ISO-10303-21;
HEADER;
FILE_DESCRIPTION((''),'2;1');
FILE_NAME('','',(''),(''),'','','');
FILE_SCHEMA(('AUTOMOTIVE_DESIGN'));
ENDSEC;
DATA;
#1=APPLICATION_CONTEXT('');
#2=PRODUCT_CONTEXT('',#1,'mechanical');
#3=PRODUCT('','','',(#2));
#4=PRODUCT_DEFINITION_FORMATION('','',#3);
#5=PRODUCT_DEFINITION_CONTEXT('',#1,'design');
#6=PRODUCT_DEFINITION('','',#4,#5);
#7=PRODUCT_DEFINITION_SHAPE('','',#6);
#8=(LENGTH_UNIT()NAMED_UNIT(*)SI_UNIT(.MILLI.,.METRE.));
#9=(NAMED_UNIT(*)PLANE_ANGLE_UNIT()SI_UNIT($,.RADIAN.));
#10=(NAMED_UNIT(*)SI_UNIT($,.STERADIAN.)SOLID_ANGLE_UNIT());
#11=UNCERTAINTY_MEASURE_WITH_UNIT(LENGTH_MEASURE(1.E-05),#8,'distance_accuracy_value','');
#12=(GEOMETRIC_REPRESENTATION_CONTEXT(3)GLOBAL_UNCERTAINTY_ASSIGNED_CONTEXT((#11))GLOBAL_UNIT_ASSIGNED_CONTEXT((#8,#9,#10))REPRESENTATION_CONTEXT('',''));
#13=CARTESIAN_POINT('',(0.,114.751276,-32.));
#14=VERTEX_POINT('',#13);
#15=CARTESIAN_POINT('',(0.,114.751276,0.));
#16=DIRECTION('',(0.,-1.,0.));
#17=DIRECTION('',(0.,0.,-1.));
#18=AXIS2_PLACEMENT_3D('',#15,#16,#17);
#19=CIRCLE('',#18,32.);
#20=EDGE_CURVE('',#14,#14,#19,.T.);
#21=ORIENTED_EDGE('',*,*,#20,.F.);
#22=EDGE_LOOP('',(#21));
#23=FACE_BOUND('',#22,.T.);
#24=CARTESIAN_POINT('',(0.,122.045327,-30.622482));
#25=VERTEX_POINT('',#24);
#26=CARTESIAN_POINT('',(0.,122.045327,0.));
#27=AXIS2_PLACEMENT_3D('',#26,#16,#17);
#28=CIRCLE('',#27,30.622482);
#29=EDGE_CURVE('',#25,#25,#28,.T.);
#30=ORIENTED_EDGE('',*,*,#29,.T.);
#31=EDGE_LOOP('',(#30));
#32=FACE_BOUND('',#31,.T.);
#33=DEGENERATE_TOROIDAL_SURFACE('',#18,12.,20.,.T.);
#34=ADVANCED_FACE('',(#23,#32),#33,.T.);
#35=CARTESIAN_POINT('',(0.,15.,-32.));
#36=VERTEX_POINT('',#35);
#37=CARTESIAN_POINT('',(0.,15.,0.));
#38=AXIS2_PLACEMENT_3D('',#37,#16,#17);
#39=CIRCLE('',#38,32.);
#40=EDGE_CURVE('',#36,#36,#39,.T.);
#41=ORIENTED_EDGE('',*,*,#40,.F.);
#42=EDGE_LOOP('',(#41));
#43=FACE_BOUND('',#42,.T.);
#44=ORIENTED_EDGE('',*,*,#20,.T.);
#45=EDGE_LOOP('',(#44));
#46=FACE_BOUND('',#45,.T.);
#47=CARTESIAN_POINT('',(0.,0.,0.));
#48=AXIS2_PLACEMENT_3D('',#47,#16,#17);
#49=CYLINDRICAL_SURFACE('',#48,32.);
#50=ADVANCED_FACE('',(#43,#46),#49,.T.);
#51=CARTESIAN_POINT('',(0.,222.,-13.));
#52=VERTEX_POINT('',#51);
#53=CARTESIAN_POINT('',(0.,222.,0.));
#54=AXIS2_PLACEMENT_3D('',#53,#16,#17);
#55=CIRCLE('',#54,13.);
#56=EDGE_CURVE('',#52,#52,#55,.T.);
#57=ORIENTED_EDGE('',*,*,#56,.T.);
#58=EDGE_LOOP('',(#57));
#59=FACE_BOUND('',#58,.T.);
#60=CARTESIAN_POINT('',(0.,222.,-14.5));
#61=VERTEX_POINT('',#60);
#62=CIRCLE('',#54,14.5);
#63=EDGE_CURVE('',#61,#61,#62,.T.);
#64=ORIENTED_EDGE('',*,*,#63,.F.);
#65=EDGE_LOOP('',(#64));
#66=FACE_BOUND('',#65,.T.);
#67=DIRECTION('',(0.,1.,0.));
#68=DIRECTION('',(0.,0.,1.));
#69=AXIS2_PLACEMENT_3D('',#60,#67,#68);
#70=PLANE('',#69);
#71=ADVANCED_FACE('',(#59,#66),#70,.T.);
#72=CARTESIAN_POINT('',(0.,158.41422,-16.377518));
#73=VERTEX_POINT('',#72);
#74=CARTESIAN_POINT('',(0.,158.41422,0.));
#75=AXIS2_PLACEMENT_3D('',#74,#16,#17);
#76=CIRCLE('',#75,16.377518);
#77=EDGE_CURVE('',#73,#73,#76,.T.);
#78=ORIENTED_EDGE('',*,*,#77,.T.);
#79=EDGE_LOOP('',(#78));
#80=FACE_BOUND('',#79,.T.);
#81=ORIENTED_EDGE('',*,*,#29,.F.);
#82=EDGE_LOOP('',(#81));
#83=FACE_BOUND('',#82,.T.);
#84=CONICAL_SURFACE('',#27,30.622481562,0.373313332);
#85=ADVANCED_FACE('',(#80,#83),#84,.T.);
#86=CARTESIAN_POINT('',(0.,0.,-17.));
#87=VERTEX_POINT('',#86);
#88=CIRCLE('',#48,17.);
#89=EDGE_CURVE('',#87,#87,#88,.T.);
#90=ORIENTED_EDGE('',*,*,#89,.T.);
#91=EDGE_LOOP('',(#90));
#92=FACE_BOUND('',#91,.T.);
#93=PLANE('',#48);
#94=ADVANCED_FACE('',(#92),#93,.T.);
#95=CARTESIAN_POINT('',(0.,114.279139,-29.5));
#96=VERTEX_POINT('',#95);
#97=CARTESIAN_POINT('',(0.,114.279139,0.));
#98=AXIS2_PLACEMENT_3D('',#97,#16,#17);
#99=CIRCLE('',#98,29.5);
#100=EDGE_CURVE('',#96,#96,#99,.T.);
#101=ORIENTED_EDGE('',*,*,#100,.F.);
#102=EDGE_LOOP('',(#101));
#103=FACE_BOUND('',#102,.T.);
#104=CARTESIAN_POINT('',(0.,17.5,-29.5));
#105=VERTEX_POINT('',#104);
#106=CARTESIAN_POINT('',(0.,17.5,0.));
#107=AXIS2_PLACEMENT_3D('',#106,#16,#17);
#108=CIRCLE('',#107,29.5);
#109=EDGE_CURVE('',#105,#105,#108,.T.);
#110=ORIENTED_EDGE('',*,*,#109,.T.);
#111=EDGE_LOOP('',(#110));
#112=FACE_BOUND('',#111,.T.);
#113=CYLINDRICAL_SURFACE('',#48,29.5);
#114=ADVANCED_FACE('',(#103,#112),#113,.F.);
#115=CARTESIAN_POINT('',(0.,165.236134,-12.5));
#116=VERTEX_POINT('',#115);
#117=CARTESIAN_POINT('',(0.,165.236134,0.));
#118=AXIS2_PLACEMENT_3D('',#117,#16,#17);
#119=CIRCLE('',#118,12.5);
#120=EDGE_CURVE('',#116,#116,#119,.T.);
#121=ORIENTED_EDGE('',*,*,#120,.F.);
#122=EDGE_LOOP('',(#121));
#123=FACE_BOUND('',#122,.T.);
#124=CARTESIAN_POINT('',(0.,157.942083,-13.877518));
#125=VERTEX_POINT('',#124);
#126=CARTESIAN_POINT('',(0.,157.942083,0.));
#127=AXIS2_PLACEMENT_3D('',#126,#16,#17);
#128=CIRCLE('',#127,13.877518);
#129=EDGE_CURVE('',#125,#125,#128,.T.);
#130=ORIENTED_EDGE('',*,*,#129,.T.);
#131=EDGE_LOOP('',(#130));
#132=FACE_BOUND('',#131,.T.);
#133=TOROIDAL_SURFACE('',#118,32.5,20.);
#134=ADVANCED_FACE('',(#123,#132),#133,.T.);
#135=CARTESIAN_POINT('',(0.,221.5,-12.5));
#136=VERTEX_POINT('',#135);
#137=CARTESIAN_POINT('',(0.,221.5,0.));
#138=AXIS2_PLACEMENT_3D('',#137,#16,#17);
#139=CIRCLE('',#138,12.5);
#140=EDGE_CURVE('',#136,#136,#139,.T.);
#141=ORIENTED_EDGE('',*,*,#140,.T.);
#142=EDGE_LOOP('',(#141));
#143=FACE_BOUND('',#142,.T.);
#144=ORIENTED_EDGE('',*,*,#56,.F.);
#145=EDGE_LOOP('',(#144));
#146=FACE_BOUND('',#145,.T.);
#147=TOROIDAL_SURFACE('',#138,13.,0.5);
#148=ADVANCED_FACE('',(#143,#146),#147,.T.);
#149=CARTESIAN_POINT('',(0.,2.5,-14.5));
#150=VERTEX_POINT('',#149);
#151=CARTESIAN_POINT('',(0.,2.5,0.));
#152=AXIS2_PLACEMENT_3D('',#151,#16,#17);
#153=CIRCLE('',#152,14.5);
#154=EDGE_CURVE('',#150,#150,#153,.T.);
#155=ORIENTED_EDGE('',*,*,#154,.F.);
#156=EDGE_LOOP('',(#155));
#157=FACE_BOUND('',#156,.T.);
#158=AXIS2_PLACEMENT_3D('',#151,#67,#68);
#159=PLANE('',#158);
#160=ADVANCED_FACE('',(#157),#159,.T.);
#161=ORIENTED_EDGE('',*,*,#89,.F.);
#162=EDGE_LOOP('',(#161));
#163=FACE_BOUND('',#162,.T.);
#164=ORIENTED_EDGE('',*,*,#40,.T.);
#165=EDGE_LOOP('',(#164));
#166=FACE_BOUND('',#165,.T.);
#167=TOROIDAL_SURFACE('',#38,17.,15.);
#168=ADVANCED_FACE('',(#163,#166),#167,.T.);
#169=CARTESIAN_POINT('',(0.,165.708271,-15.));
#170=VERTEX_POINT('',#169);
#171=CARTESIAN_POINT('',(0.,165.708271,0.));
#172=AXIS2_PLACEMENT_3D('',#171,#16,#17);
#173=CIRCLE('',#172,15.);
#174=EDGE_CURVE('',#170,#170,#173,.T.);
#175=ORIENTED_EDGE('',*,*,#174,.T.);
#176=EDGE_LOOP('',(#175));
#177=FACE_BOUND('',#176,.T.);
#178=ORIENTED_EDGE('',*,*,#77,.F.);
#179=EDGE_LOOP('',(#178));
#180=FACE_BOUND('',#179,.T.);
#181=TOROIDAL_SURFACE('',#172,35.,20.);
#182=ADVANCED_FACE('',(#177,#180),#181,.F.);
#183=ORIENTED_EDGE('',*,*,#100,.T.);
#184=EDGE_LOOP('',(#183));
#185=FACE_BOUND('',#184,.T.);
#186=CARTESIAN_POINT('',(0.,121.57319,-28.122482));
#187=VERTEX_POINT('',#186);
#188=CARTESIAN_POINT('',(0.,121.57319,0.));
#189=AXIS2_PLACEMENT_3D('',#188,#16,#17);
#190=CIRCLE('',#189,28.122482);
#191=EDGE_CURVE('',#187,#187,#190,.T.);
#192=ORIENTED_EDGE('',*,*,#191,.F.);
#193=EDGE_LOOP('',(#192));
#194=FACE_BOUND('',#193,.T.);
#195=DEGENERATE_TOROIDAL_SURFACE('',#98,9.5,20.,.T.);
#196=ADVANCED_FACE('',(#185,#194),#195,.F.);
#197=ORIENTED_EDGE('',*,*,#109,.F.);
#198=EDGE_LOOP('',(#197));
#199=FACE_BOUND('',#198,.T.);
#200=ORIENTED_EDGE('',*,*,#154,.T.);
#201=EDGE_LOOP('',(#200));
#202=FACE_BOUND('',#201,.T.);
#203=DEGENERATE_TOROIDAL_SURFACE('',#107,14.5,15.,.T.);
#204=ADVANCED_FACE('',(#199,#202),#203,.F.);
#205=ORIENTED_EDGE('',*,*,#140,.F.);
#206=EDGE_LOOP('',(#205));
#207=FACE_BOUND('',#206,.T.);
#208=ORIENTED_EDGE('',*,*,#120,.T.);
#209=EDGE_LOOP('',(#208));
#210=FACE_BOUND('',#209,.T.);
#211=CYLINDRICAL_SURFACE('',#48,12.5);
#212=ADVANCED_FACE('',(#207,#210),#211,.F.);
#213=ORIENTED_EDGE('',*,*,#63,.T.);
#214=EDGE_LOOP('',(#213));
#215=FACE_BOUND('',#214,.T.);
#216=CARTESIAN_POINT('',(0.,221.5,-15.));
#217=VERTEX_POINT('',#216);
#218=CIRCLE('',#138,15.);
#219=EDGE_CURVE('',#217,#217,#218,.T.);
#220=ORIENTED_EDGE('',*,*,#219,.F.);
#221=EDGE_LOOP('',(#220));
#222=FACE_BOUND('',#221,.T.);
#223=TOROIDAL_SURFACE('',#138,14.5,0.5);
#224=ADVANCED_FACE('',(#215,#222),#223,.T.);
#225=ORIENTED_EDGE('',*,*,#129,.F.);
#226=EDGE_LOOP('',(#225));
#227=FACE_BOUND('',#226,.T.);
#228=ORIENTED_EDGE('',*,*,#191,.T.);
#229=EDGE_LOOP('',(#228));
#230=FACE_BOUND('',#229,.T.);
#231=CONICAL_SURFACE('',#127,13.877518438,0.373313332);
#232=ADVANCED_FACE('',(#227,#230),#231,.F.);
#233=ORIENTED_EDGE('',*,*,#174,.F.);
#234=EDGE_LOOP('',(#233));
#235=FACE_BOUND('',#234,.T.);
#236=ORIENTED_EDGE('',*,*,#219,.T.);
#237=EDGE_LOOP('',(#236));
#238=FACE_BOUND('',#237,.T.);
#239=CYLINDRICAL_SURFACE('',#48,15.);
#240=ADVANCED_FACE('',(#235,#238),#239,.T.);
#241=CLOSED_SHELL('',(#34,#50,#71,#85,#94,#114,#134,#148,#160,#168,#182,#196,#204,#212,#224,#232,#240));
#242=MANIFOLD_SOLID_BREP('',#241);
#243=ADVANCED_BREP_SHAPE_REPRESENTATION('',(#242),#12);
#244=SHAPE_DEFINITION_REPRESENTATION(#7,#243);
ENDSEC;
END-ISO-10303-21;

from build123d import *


with BuildPart() as part:
    # Sketch1 → Revolve1 (revolve)
    with BuildSketch(Plane(origin=(0, 0, 0), x_dir=(0, 0, -1), z_dir=(1, 0, 0))):
        with BuildLine():
            Line((0, 0), (17, 0))
            ThreePointArc((17, 0), (27.606601718, 4.393398282), (32, 15))
            Line((32, 15), (32, 114.751276219))
            ThreePointArc((32, 114.751276219), (31.652603278, 118.46276977), (30.622481562, 122.045327253))
            Line((30.622481562, 122.045327253), (16.377518438, 158.414220463))
            ThreePointArc((16.377518438, 158.414220463), (15.347396722, 161.996777946), (15, 165.708271497))
            Line((15, 165.708271497), (15, 221.5))
            ThreePointArc((15, 221.5), (14.853553391, 221.853553391), (14.5, 222))
            Line((14.5, 222), (13, 222))
            ThreePointArc((13, 222), (12.646446609, 221.853553391), (12.5, 221.5))
            Line((12.5, 221.5), (12.5, 211.633388036))
            Line((12.5, 211.633388036), (12.5, 165.23613385))
            ThreePointArc((12.5, 165.23613385), (12.847396722, 161.524640298), (13.877518438, 157.942082816))
            Line((13.877518438, 157.942082816), (28.122481562, 121.573189605))
            ThreePointArc((28.122481562, 121.573189605), (29.152603278, 117.990632123), (29.5, 114.279138571))
            Line((29.5, 114.279138571), (29.5, 17.5))
            ThreePointArc((29.5, 17.5), (25.106601718, 6.893398282), (14.5, 2.5))
            Line((14.5, 2.5), (0, 2.5))
            Line((0, 2.5), (0, 0))
        make_face()
    revolve(axis=Axis((0, 0, 0), (0, 1, 0)))


solid = part.part
